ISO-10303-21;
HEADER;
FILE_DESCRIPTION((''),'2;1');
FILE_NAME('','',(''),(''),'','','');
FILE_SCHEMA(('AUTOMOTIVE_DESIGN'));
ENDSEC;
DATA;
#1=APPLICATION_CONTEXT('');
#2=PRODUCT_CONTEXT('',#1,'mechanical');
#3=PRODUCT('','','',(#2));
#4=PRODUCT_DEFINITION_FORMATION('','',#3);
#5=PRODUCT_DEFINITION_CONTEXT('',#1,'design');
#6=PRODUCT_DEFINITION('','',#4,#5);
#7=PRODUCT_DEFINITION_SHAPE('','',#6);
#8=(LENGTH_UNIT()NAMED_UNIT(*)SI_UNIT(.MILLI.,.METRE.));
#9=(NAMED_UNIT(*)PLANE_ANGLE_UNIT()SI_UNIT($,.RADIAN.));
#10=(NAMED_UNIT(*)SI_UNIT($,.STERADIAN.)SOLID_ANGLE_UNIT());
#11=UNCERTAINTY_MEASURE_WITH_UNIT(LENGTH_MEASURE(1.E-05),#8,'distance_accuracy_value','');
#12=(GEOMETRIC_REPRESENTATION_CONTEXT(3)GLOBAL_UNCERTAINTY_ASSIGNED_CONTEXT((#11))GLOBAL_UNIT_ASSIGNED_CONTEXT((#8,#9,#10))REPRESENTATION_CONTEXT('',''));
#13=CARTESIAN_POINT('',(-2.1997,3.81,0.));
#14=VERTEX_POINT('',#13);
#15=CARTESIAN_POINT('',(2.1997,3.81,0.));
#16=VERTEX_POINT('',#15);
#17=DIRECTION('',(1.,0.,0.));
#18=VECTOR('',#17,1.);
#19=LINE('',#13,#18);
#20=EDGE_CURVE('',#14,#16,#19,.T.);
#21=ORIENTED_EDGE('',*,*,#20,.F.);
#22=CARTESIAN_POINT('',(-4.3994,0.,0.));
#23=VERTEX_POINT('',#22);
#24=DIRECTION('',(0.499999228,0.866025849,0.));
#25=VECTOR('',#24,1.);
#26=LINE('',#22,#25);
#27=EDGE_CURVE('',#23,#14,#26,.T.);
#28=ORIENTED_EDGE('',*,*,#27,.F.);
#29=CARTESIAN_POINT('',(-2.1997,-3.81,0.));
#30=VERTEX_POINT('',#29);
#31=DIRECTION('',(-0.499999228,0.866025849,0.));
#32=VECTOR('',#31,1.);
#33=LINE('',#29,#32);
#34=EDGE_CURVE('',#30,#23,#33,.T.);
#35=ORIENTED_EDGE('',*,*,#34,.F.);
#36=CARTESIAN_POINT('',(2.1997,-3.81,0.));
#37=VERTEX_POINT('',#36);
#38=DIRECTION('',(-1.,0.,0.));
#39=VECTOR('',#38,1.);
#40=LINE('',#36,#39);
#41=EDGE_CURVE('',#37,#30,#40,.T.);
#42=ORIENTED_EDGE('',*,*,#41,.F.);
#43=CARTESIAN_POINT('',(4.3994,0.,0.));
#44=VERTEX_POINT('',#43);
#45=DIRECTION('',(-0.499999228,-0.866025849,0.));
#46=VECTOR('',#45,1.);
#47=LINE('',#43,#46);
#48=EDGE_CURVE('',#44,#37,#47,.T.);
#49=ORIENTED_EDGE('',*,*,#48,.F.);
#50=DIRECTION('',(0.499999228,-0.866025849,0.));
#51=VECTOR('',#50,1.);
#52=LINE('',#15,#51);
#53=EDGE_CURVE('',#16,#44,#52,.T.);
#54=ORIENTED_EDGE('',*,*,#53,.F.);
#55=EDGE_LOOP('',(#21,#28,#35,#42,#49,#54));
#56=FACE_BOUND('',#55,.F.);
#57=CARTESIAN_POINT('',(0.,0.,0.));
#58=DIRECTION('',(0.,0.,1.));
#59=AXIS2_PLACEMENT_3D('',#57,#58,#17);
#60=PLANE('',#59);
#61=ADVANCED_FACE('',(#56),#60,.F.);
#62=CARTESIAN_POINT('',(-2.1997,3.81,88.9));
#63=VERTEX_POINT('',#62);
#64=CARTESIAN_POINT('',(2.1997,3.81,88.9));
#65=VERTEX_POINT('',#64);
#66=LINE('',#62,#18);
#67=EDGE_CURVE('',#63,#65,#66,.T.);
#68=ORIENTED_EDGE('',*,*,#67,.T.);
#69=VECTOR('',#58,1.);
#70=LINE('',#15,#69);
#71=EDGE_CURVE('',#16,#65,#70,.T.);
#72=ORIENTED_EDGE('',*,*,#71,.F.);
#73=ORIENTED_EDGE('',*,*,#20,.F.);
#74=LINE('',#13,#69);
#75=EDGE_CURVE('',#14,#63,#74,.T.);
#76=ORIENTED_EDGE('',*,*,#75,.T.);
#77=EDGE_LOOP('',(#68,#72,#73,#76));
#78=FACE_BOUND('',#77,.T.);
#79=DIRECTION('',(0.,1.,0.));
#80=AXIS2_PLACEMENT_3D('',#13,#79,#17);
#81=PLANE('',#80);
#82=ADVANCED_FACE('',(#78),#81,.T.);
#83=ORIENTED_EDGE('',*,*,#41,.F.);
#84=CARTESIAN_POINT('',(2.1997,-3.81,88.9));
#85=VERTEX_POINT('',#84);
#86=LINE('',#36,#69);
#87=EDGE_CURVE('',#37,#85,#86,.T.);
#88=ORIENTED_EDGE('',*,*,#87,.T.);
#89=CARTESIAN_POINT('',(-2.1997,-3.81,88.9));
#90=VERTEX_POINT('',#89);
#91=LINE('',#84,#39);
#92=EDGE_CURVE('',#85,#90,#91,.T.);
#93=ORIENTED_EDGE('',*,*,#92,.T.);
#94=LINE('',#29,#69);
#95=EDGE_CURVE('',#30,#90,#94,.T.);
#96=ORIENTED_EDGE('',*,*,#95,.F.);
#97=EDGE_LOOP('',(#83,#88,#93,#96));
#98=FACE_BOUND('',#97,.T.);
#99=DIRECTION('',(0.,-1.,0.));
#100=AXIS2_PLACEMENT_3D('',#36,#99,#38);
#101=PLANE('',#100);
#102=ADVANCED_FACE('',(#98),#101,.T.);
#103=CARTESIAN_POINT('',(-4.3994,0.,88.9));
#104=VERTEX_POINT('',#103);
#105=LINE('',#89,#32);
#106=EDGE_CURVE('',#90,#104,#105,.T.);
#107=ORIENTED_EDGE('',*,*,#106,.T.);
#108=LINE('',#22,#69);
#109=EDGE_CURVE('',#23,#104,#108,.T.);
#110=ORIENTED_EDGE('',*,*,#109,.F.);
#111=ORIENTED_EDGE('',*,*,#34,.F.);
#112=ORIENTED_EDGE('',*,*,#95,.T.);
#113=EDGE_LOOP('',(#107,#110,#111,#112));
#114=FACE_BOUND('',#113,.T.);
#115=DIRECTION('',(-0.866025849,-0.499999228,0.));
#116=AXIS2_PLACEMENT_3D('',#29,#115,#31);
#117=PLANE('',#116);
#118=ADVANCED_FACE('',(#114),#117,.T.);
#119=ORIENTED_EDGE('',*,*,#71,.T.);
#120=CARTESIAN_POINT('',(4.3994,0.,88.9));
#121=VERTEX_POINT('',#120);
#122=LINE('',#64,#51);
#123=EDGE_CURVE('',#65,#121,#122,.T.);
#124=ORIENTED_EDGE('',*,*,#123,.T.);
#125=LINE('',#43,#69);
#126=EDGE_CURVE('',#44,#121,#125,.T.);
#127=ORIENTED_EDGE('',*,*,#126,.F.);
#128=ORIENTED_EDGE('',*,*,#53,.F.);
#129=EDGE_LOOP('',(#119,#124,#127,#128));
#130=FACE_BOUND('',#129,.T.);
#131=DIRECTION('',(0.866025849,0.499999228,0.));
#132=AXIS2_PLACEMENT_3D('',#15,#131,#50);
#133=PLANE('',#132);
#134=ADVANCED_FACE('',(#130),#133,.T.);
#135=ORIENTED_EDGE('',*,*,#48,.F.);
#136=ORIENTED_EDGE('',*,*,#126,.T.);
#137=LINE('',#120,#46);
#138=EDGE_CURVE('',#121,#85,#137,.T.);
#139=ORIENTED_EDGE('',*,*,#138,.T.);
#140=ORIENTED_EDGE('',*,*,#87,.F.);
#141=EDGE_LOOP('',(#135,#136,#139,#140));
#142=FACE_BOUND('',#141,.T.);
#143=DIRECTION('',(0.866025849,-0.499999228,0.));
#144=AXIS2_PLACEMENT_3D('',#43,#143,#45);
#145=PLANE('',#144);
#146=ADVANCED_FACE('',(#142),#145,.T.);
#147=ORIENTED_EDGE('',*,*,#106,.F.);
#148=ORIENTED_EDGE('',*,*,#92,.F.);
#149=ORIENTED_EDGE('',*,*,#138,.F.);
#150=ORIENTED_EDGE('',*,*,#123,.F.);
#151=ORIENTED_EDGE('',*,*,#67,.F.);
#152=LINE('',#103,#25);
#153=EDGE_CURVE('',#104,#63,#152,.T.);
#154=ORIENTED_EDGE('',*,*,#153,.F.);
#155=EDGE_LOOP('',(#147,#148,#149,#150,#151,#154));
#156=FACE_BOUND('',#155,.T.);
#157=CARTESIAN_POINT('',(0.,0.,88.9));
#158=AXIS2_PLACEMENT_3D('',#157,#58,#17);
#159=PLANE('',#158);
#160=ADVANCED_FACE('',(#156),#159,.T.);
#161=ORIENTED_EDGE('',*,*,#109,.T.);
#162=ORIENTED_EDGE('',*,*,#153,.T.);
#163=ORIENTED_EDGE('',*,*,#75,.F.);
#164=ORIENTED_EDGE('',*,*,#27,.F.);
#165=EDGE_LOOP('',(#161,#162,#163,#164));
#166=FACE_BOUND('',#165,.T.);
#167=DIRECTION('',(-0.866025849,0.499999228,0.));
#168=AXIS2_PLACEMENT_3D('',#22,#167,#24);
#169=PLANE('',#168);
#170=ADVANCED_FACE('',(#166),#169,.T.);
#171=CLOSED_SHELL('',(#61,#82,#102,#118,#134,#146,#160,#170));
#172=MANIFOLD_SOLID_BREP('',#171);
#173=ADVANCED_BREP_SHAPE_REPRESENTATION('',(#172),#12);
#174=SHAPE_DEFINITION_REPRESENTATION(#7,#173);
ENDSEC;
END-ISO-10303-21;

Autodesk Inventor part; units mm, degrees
ref_plane "YZ Plane" through (0, 0, 0) normal (1, 0, 0) x (0, 1, 0)
ref_plane "XZ Plane" through (0, 0, 0) normal (0, 1, 0) x (-1, 0, 0)
ref_plane "XY Plane" through (0, 0, 0) normal (0, 0, 1) x (1, 0, 0)
sketch "Sketch1" plane through (0, 0, 0) normal (0, 0, 1) x (1, 0, 0)
  line L0 (2.1997, 3.81) -> (4.3994, 0)
  line L1 (4.3994, 0) -> (2.1997, -3.81)
  line L2 (2.1997, -3.81) -> (-2.1997, -3.81)
  line L3 (-2.1997, -3.81) -> (-4.3994, 0)
  line L4 (-4.3994, 0) -> (-2.1997, 3.81)
  line L5 (-2.1997, 3.81) -> (2.1997, 3.81)
  line L6 (0, 0) -> (0.9654, 0)
  dimension "d0" = 7.62
extrude "Extrusion1" add sketch "Sketch1" along normal blind 88.9
properties part number "RobotArm HexTube"
